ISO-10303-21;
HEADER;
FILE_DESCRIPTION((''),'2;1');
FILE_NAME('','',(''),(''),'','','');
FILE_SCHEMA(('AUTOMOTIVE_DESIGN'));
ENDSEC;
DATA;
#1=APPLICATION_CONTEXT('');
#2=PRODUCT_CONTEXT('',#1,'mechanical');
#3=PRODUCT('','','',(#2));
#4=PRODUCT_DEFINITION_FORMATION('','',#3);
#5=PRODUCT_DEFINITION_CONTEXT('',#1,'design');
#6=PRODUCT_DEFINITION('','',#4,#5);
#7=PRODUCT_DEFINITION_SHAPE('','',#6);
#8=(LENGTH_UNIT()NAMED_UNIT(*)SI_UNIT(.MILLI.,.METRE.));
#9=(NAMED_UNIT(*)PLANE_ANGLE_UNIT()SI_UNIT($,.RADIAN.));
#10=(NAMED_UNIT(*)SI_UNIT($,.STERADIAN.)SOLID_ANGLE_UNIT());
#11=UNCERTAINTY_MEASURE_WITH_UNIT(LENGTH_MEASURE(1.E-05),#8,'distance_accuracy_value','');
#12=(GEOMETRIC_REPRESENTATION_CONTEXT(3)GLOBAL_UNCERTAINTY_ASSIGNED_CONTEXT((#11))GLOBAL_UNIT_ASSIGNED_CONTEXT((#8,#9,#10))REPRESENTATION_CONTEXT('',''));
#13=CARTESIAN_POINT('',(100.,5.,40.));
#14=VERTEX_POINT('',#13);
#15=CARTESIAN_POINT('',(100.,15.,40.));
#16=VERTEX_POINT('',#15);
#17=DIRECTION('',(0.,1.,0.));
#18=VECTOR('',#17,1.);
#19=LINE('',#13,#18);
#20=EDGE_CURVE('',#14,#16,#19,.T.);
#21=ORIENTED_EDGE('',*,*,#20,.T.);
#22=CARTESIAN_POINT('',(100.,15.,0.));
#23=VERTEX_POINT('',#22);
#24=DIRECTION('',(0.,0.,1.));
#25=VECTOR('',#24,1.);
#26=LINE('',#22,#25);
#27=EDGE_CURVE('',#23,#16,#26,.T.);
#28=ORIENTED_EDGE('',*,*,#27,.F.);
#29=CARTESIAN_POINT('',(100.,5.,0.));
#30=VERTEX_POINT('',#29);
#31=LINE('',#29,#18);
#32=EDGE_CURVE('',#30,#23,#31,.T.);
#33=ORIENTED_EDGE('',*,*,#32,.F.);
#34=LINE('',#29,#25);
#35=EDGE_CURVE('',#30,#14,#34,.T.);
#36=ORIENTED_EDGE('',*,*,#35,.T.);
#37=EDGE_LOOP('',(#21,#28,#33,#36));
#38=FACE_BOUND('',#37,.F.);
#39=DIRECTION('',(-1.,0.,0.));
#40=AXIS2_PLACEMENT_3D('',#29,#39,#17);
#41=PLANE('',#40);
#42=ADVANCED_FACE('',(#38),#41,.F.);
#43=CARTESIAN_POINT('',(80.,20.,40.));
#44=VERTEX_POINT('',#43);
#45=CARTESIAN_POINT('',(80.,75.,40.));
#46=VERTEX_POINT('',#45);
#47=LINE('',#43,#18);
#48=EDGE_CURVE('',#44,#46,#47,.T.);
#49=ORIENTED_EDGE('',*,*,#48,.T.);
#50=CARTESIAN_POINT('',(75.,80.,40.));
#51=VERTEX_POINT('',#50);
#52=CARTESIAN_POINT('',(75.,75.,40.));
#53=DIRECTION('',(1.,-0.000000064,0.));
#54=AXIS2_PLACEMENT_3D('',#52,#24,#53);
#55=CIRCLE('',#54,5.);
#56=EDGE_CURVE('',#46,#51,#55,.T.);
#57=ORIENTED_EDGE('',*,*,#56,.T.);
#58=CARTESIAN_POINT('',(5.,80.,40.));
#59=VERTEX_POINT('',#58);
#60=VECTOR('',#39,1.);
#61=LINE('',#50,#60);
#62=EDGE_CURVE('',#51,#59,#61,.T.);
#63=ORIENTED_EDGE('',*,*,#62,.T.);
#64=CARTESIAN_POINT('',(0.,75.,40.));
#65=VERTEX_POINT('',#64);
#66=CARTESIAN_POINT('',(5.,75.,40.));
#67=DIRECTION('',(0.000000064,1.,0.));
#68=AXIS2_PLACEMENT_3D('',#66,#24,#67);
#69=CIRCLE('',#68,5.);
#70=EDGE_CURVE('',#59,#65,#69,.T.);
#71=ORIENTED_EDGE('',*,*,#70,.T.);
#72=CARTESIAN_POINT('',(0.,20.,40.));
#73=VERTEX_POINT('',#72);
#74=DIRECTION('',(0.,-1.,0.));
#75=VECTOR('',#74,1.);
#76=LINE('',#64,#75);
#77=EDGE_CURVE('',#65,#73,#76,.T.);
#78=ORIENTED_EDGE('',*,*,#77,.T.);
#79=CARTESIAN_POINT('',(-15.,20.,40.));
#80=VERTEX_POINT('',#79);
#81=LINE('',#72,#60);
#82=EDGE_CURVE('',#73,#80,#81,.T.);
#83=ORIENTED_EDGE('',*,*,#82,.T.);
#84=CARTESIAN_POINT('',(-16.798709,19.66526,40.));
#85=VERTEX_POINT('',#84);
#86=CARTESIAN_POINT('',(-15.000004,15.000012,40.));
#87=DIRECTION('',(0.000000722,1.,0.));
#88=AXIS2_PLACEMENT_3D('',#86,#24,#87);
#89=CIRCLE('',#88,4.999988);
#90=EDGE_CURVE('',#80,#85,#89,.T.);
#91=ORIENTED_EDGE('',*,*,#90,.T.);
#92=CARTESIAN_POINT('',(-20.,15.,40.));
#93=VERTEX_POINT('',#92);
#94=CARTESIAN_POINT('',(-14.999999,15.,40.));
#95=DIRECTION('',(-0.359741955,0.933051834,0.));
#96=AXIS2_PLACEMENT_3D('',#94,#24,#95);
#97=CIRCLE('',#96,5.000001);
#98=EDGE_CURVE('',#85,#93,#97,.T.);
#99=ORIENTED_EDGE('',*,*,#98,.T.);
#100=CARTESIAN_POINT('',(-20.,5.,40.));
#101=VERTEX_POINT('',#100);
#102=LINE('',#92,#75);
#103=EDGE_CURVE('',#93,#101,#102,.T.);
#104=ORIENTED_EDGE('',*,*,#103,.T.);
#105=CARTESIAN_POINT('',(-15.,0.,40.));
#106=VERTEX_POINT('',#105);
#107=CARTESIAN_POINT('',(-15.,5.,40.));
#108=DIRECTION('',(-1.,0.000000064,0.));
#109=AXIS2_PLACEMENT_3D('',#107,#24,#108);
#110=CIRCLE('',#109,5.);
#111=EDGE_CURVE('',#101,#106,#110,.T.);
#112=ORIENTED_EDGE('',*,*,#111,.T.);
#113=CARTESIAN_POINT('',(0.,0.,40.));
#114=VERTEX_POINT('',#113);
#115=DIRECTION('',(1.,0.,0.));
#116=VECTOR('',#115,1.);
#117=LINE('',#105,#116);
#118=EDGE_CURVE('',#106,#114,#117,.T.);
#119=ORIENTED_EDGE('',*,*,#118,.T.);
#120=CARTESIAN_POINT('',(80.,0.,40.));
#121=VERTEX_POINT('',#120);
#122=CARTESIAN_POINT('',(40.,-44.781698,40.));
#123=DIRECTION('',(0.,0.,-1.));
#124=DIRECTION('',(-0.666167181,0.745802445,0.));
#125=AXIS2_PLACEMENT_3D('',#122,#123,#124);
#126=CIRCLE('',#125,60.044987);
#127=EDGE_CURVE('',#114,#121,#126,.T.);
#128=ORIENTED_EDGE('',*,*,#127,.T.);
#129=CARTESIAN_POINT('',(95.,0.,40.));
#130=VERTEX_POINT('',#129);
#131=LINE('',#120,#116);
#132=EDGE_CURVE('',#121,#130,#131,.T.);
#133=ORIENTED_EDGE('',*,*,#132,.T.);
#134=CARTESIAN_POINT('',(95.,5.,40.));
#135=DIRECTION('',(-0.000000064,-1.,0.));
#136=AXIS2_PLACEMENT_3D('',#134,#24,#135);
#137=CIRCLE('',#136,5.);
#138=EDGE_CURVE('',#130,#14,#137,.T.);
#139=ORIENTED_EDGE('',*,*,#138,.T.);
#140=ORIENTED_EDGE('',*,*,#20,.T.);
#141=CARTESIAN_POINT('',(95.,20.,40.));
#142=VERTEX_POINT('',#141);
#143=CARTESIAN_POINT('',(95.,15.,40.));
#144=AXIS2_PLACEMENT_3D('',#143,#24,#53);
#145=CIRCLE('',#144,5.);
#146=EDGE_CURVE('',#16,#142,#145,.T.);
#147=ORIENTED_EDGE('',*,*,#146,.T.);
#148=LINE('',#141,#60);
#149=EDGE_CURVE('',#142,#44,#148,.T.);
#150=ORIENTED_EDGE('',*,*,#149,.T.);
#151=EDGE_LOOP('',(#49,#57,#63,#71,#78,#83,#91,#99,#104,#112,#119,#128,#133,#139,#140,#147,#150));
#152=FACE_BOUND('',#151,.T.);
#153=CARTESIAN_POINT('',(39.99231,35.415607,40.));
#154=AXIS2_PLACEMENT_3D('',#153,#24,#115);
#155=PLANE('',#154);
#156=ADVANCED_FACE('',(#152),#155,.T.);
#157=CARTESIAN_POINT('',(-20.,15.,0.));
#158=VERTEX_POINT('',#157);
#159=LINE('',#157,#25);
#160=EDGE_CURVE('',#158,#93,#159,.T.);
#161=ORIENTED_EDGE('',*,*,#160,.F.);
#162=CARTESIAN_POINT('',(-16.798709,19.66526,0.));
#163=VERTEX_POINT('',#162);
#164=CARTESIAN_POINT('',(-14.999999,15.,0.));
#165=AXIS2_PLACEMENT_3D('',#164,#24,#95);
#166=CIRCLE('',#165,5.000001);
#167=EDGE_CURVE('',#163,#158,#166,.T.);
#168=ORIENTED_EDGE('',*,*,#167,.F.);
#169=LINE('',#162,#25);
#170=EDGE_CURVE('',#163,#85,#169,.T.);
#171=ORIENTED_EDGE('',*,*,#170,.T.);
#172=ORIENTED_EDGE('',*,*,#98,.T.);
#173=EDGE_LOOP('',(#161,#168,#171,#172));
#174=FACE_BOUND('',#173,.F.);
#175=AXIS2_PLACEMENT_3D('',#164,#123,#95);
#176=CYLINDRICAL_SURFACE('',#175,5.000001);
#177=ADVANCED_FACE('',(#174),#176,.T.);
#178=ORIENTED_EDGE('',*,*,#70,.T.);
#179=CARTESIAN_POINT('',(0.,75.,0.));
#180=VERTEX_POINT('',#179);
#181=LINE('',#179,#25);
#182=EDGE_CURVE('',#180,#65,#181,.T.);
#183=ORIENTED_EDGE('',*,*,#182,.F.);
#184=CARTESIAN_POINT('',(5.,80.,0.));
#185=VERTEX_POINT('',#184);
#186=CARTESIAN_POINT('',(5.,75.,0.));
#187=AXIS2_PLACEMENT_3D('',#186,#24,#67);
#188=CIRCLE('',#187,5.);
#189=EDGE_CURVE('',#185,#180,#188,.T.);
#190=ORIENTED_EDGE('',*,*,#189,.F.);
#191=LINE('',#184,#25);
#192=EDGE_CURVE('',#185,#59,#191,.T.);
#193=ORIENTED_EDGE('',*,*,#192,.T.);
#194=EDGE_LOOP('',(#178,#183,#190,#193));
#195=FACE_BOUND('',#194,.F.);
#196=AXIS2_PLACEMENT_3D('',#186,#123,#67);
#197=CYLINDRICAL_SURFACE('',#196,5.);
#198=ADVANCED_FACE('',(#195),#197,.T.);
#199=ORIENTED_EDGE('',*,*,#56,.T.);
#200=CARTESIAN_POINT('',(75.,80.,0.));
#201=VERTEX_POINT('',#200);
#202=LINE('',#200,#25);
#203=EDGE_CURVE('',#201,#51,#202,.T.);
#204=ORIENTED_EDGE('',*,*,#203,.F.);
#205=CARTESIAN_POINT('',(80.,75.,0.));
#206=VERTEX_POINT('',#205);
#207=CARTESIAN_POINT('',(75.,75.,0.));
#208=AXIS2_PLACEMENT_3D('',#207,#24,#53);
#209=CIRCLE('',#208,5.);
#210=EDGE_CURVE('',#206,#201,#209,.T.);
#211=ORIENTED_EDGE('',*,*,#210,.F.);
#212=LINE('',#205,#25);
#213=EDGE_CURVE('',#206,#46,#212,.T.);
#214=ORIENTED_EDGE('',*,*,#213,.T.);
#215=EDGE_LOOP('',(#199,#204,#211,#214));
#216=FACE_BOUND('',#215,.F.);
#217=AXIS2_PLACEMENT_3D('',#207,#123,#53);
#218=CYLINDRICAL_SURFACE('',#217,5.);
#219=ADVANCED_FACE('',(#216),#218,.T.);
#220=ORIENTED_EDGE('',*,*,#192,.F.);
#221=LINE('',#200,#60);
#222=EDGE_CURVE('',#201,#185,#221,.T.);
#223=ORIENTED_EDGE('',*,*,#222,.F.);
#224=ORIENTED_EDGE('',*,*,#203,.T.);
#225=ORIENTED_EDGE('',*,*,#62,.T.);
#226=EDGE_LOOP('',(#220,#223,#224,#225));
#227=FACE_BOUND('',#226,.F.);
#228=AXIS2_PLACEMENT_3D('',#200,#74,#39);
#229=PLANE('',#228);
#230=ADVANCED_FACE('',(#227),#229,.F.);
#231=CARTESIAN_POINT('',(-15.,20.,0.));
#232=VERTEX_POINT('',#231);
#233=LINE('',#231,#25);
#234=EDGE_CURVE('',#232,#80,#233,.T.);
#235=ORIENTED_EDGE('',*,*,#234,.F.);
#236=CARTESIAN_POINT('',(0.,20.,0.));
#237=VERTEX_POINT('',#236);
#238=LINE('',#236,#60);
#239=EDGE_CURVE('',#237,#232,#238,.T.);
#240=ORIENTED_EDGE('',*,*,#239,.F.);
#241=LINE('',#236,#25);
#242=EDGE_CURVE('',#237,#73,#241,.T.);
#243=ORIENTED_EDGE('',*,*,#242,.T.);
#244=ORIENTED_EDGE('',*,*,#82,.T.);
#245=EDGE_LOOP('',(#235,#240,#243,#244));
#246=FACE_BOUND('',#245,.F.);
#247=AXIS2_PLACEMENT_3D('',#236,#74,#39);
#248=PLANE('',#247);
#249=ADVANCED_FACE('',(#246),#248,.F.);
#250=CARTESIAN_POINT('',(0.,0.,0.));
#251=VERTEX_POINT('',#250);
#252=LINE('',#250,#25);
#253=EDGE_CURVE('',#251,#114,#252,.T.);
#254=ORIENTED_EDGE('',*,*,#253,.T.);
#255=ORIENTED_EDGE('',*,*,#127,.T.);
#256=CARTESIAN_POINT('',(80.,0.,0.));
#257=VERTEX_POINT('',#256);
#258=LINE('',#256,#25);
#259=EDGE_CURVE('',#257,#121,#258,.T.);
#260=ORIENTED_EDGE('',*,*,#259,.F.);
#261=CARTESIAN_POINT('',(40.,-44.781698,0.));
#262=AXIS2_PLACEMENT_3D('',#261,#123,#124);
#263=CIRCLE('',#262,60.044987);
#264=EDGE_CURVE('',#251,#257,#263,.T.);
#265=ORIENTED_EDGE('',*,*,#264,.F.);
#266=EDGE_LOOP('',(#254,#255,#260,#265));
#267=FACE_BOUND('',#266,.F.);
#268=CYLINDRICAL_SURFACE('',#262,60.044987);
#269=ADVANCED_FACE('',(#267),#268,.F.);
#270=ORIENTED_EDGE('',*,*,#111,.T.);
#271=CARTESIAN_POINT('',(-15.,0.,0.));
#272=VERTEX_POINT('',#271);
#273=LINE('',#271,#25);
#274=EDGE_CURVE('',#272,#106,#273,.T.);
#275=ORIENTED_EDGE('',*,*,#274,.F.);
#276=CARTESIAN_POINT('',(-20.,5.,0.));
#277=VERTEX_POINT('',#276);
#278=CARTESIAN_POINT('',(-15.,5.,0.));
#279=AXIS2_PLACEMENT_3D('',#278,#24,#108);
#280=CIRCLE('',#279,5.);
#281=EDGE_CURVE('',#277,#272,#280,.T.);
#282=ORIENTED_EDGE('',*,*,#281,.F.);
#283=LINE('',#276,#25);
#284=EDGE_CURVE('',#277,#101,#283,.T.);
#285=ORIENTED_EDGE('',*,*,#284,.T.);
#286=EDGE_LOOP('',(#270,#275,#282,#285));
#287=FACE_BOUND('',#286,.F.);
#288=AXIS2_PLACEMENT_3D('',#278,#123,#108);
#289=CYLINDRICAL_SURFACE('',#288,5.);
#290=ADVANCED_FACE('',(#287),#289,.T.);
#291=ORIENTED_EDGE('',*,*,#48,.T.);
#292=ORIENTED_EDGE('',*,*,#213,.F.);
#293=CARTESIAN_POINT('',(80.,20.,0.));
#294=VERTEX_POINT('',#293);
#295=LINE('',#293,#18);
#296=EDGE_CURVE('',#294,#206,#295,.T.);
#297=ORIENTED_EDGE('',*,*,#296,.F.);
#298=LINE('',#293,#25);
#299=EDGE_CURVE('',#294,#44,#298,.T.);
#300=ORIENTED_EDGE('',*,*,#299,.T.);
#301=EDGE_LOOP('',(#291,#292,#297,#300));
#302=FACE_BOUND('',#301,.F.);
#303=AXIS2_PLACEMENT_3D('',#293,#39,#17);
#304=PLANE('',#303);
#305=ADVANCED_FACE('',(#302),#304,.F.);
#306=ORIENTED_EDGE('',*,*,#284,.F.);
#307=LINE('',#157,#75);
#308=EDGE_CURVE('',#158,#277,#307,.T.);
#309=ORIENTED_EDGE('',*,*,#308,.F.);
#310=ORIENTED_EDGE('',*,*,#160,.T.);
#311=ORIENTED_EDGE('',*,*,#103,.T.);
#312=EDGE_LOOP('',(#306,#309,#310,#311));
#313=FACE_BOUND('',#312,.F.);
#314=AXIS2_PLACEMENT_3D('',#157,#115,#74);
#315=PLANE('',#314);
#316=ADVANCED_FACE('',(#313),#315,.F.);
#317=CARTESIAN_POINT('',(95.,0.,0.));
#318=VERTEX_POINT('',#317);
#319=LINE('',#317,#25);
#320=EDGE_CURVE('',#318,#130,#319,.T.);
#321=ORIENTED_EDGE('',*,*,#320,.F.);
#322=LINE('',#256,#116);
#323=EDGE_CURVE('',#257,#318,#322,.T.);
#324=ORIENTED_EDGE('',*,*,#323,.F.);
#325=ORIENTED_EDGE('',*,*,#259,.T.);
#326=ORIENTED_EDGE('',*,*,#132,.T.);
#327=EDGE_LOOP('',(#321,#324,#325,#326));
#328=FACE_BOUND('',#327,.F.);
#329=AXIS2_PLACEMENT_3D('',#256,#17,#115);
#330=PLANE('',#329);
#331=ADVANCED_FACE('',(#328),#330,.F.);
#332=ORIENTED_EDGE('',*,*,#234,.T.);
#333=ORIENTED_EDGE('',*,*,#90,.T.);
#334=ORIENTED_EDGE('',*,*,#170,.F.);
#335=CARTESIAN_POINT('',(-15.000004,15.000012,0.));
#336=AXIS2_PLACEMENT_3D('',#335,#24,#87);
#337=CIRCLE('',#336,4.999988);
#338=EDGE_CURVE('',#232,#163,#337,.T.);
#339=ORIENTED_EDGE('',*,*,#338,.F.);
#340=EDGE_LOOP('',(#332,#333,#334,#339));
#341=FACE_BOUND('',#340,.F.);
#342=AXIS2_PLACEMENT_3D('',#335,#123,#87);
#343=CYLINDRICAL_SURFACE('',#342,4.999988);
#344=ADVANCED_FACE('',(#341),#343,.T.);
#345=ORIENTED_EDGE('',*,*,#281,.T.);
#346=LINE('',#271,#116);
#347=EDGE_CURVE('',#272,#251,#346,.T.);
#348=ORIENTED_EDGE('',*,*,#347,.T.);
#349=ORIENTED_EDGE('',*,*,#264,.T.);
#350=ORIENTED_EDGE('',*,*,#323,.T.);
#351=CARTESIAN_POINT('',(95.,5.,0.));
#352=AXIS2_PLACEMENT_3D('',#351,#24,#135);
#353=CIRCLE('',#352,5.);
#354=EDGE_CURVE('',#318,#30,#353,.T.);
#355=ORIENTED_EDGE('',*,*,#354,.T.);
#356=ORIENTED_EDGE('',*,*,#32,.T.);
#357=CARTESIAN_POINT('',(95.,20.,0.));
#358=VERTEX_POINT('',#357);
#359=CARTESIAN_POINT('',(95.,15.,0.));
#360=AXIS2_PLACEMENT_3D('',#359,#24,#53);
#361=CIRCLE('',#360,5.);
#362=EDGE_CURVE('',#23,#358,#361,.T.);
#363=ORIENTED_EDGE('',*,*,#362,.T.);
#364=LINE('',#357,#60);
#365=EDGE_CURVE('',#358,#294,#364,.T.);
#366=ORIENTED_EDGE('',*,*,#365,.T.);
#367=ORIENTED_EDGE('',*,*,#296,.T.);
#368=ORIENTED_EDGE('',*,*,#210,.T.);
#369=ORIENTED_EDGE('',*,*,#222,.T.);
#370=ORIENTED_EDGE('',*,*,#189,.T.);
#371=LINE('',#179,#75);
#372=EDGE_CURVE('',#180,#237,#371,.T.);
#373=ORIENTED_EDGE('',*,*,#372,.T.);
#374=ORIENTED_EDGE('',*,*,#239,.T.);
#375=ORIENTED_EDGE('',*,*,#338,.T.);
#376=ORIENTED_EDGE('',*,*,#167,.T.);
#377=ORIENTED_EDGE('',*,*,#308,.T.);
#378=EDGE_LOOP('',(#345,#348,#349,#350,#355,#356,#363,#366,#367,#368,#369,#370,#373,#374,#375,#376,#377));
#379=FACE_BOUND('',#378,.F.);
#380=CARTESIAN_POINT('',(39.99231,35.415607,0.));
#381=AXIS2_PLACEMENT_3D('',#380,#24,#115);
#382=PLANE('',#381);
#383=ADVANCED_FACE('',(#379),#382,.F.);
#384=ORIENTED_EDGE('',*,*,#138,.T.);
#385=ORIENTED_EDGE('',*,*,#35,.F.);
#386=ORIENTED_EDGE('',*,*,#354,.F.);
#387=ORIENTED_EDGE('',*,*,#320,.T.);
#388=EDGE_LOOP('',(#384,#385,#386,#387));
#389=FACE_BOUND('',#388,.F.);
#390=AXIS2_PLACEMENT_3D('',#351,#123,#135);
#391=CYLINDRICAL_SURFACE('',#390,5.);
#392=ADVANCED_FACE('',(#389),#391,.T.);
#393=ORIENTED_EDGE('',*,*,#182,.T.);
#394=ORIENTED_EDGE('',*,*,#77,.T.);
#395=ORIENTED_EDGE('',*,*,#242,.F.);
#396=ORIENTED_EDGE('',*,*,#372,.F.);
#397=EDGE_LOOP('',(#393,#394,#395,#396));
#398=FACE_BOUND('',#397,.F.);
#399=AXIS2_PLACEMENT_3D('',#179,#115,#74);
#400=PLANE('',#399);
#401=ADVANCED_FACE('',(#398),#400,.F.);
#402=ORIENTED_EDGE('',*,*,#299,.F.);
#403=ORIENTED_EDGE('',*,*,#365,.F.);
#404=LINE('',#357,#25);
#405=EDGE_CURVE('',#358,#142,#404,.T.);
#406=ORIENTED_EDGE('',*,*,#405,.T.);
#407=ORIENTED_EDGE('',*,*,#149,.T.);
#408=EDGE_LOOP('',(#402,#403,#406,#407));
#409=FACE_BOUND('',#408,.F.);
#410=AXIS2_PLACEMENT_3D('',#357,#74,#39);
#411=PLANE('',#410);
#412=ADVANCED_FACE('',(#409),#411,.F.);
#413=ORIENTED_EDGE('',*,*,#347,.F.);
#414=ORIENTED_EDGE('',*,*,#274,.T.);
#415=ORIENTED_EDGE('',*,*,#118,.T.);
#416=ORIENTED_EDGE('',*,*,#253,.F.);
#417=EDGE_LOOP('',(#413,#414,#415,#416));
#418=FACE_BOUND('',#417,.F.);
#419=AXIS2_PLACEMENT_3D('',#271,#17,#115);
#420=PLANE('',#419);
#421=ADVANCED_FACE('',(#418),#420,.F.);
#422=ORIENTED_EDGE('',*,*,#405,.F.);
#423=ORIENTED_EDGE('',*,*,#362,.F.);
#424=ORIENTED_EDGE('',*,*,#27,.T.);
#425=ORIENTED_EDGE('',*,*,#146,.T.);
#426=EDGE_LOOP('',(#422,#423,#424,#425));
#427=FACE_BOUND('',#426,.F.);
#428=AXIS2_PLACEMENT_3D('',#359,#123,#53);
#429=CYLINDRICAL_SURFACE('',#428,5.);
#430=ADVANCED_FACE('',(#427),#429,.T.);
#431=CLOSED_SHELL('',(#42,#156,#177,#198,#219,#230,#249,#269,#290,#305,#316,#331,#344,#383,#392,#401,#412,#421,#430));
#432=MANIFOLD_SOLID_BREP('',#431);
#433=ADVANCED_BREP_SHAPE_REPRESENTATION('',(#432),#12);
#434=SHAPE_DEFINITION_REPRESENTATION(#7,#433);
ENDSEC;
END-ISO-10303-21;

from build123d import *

# Parameters (mm, degrees)
F1_DEPTH = 40


with BuildPart() as f1:
    # F0 (on Top) → F1 (new body)
    with BuildSketch(Plane.XY):
        with BuildLine():
            Line((75, 80), (5, 80))
            ThreePointArc((5, 80), (1.464466, 78.535534), (0, 75))
            Line((0, 75), (0, 20))
            Line((0, 20), (-15, 20))
            ThreePointArc((-15, 20), (-15.914796, 19.915603), (-16.798709, 19.66526))
            ThreePointArc((-16.798709, 19.66526), (-19.122714, 17.828998), (-20, 15))
            Line((-20, 15), (-20, 5))
            ThreePointArc((-20, 5), (-18.535534, 1.464466), (-15, 0))
            Line((-15, 0), (0, 0))
            ThreePointArc((0, 0), (40, 15.263289), (80, 0))
            Line((80, 0), (95, 0))
            ThreePointArc((95, 0), (98.535534, 1.464466), (100, 5))
            Line((100, 5), (100, 15))
            ThreePointArc((100, 15), (98.535534, 18.535534), (95, 20))
            Line((95, 20), (80, 20))
            Line((80, 20), (80, 75))
            ThreePointArc((80, 75), (78.535534, 78.535534), (75, 80))
        make_face()
    extrude(amount=F1_DEPTH)


solid = f1.part
